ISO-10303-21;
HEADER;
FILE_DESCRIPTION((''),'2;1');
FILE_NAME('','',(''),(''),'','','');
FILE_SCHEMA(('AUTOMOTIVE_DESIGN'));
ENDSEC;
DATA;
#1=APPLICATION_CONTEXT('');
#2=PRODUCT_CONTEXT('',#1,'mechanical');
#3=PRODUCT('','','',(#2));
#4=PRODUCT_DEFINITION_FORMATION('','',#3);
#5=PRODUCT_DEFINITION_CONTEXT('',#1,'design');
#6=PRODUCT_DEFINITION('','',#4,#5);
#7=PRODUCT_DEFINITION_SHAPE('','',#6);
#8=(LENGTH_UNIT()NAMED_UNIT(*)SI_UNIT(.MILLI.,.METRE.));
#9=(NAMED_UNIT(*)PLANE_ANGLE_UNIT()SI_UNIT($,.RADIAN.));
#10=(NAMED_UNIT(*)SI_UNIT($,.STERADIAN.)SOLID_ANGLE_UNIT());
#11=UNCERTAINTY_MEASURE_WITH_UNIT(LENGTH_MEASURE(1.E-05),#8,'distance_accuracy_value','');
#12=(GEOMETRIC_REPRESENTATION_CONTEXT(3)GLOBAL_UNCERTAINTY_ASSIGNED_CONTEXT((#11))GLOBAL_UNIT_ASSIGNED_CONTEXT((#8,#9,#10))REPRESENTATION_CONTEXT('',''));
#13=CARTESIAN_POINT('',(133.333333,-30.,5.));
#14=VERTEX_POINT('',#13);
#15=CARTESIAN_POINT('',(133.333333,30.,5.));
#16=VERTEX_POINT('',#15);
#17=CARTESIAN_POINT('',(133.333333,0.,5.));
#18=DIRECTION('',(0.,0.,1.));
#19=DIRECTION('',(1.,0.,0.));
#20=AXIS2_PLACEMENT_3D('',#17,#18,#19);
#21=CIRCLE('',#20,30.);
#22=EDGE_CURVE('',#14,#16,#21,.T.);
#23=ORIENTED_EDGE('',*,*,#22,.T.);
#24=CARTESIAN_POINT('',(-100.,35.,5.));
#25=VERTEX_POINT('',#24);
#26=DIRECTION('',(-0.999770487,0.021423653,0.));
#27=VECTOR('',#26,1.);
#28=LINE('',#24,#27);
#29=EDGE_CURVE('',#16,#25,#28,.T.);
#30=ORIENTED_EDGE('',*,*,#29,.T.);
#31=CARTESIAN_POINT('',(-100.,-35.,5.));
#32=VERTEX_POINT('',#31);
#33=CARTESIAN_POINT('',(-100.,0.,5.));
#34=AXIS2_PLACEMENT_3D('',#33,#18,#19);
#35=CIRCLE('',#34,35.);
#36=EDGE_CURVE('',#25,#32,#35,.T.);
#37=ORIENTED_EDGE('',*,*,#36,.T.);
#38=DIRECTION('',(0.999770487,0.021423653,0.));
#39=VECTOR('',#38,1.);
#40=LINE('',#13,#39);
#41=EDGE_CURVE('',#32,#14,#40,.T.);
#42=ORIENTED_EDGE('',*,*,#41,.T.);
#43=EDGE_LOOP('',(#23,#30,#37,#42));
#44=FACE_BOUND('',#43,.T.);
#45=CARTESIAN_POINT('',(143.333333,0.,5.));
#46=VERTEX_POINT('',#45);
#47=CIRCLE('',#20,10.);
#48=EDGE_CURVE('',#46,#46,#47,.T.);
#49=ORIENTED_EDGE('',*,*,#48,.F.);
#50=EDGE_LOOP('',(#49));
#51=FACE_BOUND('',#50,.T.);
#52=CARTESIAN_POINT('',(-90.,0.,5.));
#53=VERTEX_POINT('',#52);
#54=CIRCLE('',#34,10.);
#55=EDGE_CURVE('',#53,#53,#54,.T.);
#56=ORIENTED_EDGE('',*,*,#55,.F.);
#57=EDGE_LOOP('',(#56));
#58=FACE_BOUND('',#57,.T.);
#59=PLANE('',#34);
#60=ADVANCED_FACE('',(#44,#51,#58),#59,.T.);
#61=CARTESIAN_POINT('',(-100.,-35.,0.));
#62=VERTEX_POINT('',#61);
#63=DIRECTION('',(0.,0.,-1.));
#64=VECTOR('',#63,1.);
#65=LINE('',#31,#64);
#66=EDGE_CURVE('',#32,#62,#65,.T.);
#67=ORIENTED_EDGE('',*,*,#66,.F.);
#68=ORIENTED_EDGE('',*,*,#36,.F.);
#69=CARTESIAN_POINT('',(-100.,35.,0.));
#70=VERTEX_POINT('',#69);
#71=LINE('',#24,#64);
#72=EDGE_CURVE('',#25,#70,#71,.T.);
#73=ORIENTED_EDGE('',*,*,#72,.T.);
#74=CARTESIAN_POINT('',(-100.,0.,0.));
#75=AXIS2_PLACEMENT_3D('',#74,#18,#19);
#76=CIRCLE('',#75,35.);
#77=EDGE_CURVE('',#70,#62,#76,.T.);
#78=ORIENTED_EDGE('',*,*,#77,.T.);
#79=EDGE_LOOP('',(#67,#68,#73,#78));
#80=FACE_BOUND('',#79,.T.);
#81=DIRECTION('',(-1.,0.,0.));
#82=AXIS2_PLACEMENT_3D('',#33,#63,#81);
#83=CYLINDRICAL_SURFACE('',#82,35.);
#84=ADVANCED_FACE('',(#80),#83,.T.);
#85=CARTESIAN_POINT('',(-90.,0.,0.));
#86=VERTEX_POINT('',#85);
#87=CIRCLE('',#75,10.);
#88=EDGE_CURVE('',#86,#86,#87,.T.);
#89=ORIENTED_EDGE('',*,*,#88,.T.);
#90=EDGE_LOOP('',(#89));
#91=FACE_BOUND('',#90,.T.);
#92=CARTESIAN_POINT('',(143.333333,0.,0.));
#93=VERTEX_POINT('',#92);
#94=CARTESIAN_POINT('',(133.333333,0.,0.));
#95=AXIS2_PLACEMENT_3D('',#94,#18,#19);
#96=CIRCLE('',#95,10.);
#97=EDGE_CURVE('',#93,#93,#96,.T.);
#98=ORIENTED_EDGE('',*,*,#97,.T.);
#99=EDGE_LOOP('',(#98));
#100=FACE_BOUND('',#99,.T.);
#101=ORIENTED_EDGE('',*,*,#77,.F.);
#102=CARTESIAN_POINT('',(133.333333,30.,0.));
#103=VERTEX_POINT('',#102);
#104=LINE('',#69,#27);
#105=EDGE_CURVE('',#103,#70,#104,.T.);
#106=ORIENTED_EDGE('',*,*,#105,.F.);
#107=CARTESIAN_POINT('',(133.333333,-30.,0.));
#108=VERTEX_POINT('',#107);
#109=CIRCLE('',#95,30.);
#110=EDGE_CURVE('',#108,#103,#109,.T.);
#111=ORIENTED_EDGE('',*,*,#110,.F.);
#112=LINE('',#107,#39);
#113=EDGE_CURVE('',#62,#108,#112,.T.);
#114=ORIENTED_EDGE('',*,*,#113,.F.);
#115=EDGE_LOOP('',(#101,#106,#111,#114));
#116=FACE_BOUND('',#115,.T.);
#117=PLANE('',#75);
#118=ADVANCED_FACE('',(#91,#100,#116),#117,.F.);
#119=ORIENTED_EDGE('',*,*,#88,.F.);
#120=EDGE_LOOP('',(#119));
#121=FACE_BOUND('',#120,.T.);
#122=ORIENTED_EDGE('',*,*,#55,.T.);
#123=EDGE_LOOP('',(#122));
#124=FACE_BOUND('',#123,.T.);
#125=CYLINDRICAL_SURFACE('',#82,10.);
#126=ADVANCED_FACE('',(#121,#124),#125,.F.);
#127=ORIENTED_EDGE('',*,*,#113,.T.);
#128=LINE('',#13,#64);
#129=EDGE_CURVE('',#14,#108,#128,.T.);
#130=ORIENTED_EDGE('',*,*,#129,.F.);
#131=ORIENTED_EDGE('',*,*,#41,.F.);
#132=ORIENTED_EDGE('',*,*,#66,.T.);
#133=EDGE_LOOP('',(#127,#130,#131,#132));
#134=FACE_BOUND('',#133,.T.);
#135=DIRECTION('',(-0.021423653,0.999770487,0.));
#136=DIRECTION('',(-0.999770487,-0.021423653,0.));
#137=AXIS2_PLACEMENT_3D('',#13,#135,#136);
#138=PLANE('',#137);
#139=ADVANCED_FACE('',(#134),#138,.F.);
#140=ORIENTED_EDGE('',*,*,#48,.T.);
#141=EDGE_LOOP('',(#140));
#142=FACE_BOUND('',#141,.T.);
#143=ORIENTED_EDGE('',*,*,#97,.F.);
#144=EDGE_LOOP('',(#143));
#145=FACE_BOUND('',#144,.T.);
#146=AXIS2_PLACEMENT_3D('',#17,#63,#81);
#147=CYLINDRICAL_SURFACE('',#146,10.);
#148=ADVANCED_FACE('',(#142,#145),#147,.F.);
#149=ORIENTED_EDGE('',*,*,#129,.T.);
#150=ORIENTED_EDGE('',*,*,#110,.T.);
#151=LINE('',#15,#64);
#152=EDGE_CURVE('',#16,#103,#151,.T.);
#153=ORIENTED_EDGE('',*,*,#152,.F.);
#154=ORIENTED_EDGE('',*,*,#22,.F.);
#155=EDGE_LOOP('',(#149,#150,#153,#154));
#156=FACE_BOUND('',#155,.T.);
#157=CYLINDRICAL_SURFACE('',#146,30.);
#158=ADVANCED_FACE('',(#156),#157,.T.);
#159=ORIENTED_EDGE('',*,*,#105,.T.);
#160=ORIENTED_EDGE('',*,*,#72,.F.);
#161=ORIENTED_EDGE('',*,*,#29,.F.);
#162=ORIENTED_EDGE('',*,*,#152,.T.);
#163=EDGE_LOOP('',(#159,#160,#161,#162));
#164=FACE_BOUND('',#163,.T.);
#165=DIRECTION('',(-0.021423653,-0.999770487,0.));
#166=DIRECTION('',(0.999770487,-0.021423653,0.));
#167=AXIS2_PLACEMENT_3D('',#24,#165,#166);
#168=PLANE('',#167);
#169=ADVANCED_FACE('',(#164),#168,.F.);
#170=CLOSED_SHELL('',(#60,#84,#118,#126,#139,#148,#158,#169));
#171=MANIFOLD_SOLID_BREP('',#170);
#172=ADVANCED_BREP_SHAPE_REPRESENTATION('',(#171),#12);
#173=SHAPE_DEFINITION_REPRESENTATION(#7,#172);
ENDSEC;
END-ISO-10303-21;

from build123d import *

# Parameters (mm, degrees)
SKETCH1_R           = 10
BOSS_EXTRUDE1_DEPTH = 5


with BuildPart() as part:
    # Sketch1 → Boss-Extrude1 (new body)
    with BuildSketch(Plane.XY):
        with BuildLine():
            Line((-100, 35), (133.333333333, 30))
            ThreePointArc((133.333333333, 30), (163.333333333, 0), (133.333333333, -30))
            Line((133.333333333, -30), (-100, -35))
            ThreePointArc((-100, -35), (-135, 0), (-100, 35))
        make_face()
        with Locations((-100, 0)):
            Circle(SKETCH1_R, mode=Mode.SUBTRACT)
        with Locations((133.333333333, 0)):
            Circle(SKETCH1_R, mode=Mode.SUBTRACT)
    extrude(amount=BOSS_EXTRUDE1_DEPTH)


solid = part.part
